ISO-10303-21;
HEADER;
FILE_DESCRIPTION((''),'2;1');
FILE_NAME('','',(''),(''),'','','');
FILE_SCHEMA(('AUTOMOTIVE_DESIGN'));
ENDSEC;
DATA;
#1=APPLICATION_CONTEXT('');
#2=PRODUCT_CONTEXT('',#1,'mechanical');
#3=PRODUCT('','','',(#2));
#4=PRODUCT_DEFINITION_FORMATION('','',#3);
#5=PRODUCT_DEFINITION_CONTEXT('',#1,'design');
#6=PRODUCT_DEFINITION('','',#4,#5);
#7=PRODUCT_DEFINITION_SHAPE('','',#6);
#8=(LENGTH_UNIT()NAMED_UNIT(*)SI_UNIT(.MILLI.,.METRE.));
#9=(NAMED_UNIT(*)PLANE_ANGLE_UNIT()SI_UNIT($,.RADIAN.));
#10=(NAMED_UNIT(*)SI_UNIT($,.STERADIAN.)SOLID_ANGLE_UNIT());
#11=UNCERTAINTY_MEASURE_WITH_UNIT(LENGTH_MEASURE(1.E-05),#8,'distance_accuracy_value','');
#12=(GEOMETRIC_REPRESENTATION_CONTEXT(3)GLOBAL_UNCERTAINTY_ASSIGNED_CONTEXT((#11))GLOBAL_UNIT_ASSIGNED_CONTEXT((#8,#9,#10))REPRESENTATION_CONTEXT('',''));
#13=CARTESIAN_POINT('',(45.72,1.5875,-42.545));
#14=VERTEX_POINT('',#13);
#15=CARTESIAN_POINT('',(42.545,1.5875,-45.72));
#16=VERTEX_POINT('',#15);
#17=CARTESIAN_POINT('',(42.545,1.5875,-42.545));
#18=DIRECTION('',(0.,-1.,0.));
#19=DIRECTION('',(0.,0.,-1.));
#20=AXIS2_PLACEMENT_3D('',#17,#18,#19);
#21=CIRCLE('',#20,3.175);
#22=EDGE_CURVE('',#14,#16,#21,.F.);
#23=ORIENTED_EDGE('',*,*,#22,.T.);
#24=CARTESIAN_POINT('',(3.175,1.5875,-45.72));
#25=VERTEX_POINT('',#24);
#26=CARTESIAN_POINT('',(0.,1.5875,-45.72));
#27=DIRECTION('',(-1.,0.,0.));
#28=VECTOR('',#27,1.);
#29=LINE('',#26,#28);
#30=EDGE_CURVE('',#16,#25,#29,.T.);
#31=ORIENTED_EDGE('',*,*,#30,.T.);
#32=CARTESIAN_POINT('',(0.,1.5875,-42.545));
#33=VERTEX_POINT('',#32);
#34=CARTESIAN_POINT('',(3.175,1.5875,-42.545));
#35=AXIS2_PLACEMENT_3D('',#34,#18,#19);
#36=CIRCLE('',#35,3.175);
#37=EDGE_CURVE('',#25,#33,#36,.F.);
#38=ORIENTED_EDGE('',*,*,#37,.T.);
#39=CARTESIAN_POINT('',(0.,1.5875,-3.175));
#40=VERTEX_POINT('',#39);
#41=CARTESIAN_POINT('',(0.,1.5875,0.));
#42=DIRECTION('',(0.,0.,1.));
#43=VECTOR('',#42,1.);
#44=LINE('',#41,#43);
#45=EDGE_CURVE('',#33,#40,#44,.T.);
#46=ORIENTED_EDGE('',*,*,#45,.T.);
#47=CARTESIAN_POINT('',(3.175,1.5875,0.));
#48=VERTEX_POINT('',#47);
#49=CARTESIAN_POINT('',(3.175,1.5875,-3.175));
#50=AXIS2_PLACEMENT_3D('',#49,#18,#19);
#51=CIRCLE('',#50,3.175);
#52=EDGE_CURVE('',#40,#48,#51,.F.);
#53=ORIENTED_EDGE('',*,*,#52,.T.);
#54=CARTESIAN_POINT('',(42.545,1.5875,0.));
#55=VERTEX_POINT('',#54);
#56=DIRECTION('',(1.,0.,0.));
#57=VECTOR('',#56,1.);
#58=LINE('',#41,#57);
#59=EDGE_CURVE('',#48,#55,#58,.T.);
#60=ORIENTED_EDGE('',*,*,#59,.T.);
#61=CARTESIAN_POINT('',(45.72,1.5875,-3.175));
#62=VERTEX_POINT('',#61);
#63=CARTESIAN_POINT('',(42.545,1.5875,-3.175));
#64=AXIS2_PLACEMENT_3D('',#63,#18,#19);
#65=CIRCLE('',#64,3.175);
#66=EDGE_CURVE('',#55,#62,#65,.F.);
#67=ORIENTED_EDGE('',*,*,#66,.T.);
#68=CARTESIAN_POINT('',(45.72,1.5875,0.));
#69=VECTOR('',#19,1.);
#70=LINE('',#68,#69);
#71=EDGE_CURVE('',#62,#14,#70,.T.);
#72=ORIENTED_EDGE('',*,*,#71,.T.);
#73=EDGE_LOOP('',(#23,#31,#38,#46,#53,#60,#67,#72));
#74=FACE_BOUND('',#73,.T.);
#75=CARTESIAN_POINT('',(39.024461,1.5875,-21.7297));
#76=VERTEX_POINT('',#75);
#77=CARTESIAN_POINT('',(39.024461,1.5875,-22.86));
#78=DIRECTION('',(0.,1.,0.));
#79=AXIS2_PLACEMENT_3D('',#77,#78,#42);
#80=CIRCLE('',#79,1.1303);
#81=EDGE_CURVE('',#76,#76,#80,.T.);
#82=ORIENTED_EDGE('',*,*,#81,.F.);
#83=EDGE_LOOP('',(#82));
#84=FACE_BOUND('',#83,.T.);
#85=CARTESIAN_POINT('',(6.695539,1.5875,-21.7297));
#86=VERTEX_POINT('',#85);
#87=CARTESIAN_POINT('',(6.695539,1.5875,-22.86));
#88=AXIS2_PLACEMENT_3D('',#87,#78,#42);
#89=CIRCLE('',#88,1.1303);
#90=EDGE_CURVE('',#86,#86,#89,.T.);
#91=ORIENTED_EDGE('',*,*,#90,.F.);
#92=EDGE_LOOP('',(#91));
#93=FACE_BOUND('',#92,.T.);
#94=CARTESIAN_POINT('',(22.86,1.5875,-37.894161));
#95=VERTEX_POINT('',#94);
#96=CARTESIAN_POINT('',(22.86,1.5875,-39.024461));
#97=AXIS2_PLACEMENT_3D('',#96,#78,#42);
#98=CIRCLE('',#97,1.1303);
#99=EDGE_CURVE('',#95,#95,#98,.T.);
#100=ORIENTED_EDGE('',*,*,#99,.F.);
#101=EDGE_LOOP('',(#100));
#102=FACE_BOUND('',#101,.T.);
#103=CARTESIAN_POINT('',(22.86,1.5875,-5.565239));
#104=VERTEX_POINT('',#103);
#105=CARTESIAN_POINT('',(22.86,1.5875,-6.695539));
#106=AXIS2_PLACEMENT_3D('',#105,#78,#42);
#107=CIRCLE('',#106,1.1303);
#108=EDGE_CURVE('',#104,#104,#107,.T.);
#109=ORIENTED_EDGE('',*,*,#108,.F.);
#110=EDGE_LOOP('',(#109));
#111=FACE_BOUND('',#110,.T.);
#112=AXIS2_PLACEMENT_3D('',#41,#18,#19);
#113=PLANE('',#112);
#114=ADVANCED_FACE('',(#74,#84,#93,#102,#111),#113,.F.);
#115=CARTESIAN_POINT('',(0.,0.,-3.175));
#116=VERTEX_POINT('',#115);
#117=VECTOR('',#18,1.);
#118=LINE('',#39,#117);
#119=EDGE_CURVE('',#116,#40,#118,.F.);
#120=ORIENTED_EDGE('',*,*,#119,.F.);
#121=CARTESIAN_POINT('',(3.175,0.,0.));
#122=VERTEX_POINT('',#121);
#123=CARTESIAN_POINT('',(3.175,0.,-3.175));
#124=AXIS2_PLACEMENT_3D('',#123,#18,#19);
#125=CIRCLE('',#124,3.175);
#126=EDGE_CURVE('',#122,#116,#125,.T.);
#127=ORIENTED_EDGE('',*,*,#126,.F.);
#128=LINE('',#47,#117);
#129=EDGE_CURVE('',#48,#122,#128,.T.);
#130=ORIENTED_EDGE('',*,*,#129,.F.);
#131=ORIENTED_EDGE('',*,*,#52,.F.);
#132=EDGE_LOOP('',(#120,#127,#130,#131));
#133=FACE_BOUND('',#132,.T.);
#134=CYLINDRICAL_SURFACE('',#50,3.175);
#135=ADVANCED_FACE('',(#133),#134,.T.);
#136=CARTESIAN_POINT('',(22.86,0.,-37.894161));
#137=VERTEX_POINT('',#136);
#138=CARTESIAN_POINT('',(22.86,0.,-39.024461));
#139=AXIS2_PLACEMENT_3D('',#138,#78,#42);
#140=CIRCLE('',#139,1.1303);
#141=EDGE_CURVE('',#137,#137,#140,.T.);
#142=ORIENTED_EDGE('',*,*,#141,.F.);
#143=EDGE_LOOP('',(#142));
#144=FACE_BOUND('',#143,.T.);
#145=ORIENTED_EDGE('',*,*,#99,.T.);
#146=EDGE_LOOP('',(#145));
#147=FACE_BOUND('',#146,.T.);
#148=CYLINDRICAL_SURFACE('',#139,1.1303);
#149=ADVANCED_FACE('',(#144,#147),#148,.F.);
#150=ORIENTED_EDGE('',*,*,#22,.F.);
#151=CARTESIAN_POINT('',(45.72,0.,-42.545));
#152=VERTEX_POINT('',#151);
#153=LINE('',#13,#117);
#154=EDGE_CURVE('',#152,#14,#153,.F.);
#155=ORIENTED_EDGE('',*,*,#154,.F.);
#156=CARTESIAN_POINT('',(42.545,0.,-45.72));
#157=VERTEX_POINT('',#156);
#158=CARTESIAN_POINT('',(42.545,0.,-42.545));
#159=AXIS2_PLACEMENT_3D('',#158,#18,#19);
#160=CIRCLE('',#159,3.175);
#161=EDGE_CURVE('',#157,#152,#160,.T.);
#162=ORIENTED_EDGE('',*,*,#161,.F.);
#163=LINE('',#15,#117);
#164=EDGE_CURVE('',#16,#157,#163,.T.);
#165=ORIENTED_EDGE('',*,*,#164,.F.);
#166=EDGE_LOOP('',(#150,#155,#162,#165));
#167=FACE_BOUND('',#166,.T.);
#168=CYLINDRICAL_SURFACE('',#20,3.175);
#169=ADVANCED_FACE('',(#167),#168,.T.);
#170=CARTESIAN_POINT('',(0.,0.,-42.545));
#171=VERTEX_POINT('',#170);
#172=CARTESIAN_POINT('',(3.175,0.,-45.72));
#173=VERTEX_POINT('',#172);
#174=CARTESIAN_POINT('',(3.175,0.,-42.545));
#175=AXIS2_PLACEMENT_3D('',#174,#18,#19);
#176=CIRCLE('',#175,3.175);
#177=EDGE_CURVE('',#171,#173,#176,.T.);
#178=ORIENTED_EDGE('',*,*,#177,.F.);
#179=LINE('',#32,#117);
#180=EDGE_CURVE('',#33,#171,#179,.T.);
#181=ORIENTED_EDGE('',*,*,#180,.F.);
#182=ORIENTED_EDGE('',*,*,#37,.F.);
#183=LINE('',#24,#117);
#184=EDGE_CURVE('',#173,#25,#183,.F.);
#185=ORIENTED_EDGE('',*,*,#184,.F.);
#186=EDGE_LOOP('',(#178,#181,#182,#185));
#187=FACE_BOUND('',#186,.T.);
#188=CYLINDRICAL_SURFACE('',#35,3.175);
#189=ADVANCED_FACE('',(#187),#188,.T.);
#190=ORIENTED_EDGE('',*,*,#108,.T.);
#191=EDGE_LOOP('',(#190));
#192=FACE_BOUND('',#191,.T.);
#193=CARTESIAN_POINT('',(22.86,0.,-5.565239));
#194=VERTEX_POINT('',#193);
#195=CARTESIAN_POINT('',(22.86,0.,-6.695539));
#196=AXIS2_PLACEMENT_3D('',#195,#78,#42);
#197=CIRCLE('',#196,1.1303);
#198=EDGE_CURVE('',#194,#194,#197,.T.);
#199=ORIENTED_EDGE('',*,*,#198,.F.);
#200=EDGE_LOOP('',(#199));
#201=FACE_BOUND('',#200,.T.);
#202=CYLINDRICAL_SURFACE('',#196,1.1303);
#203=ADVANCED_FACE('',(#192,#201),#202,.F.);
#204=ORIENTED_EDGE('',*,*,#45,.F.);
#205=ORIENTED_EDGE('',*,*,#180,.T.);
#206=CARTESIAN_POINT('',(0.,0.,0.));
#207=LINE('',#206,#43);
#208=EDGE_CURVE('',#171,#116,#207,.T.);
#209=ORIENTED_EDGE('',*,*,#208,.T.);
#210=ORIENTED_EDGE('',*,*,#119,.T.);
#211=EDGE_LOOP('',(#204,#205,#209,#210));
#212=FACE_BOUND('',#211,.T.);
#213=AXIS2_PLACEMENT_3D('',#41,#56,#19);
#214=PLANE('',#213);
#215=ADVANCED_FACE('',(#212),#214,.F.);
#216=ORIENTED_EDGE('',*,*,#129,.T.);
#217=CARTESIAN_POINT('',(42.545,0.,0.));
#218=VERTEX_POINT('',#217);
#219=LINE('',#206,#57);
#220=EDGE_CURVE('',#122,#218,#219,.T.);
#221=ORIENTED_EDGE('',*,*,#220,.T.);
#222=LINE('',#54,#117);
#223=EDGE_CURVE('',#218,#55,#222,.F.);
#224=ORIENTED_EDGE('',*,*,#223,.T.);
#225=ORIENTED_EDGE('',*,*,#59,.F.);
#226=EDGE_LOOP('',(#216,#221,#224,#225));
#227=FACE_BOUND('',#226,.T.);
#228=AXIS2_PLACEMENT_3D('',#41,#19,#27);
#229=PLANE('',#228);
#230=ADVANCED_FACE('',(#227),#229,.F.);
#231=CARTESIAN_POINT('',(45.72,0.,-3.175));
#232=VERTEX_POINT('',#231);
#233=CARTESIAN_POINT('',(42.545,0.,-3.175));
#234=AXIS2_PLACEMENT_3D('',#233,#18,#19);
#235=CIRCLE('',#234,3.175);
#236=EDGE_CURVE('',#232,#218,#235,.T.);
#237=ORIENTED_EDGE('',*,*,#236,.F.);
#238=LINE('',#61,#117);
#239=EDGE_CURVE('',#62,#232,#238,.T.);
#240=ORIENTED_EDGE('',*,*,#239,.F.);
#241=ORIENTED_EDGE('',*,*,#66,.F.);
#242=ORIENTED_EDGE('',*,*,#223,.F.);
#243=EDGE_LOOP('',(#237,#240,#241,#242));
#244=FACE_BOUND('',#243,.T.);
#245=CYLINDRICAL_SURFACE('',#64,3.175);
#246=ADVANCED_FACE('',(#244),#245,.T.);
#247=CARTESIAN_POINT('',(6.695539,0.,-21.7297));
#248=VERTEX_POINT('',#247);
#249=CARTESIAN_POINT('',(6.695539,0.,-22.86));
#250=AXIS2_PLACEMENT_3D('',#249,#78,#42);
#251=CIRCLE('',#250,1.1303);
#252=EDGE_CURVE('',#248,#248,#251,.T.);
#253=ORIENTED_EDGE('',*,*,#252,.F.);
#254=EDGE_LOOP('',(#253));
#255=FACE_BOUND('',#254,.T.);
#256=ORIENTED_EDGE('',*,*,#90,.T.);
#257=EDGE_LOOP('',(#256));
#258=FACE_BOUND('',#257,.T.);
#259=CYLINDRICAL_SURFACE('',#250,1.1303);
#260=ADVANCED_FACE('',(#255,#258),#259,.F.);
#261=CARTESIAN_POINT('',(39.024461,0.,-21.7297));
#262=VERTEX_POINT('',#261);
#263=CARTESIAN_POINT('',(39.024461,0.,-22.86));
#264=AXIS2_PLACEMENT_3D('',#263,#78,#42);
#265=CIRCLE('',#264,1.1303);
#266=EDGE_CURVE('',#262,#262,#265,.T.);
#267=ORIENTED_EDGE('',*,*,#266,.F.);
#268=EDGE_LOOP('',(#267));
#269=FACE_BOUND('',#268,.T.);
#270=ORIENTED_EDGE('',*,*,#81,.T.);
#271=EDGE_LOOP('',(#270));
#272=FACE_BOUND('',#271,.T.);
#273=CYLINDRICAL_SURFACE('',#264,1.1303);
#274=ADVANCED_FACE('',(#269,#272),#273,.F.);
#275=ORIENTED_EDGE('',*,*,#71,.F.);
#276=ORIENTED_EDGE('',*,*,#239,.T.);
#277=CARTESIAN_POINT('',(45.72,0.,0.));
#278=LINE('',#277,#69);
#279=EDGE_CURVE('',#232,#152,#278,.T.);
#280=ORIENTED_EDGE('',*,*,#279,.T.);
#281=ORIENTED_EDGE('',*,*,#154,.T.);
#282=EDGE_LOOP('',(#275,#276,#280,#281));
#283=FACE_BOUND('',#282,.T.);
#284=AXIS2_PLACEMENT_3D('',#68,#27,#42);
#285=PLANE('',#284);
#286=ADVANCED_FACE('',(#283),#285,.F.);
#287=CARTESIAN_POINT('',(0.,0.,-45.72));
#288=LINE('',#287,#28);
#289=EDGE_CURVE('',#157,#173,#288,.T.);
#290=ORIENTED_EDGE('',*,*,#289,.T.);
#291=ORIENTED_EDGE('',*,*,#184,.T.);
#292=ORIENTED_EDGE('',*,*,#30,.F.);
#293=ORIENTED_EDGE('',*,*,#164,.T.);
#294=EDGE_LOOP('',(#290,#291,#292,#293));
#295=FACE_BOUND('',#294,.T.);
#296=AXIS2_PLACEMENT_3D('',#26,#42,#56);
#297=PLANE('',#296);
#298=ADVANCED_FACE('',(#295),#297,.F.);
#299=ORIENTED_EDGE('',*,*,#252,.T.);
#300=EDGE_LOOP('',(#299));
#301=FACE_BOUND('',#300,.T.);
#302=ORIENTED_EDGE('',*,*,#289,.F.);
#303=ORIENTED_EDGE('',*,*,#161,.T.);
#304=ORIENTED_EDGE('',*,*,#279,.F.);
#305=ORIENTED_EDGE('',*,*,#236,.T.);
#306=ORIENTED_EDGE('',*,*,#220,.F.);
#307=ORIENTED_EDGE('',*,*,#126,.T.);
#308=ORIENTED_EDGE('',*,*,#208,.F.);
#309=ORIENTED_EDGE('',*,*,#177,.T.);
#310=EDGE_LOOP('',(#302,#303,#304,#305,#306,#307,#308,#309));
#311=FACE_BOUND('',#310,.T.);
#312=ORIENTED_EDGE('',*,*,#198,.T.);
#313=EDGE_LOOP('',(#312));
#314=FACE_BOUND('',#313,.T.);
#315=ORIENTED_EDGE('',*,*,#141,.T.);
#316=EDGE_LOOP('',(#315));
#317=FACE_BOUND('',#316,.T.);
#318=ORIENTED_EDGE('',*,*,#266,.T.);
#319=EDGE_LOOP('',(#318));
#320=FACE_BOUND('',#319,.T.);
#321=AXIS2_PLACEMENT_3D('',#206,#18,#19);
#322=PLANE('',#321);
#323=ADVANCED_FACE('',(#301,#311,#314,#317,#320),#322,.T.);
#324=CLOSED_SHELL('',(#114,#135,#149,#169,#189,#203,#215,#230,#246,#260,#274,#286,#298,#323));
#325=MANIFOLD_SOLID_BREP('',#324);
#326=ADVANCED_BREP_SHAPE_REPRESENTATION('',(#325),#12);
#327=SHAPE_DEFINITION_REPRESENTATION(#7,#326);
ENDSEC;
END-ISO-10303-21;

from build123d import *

# Parameters (mm, degrees)
SKETCH1_W           = 45.72
SKETCH1_H           = 45.72
BOSS_EXTRUDE1_DEPTH = 1.5875
FILLET1_R           = 3.175
SKETCH2_R           = 1.1303
CUT_EXTRUDE1_DEPTH  = 65.677329539


with BuildPart() as part:
    # Sketch1 → Boss-Extrude1 (new body)
    with BuildSketch(Plane(origin=(0, 0, 0), x_dir=(1, 0, 0), z_dir=(0, 1, 0))):
        with Locations((22.86, 22.86)):
            Rectangle(SKETCH1_W, SKETCH1_H)
    extrude(amount=BOSS_EXTRUDE1_DEPTH)

    # Fillet1
    fillet1_edges = [part.edges().sort_by_distance(p)[0] for p in [
        (0, 0.79375, -45.72),
        (45.72, 0.79375, -45.72),
        (45.72, 0.79375, 0),
        (0, 0.79375, 0),
    ]]
    fillet(fillet1_edges, radius=FILLET1_R)

    # Sketch2 → Cut-Extrude1 (cut, through all)
    with BuildSketch(Plane(origin=(0, 1.5875, 0), x_dir=(1, 0, 0), z_dir=(0, 1, 0))):
        with Locations(Location((39.024461018, 22.86, 0), (0, 0, 270))):
            Circle(SKETCH2_R)
        with Locations(Location((22.86, 6.695538982, 0), (0, 0, 270))):
            Circle(SKETCH2_R)
        with Locations(Location((6.695538982, 22.86, 0), (0, 0, 270))):
            Circle(SKETCH2_R)
        with Locations(Location((22.86, 39.024461018, 0), (0, 0, 270))):
            Circle(SKETCH2_R)
    extrude(amount=-CUT_EXTRUDE1_DEPTH, mode=Mode.SUBTRACT)


solid = part.part
